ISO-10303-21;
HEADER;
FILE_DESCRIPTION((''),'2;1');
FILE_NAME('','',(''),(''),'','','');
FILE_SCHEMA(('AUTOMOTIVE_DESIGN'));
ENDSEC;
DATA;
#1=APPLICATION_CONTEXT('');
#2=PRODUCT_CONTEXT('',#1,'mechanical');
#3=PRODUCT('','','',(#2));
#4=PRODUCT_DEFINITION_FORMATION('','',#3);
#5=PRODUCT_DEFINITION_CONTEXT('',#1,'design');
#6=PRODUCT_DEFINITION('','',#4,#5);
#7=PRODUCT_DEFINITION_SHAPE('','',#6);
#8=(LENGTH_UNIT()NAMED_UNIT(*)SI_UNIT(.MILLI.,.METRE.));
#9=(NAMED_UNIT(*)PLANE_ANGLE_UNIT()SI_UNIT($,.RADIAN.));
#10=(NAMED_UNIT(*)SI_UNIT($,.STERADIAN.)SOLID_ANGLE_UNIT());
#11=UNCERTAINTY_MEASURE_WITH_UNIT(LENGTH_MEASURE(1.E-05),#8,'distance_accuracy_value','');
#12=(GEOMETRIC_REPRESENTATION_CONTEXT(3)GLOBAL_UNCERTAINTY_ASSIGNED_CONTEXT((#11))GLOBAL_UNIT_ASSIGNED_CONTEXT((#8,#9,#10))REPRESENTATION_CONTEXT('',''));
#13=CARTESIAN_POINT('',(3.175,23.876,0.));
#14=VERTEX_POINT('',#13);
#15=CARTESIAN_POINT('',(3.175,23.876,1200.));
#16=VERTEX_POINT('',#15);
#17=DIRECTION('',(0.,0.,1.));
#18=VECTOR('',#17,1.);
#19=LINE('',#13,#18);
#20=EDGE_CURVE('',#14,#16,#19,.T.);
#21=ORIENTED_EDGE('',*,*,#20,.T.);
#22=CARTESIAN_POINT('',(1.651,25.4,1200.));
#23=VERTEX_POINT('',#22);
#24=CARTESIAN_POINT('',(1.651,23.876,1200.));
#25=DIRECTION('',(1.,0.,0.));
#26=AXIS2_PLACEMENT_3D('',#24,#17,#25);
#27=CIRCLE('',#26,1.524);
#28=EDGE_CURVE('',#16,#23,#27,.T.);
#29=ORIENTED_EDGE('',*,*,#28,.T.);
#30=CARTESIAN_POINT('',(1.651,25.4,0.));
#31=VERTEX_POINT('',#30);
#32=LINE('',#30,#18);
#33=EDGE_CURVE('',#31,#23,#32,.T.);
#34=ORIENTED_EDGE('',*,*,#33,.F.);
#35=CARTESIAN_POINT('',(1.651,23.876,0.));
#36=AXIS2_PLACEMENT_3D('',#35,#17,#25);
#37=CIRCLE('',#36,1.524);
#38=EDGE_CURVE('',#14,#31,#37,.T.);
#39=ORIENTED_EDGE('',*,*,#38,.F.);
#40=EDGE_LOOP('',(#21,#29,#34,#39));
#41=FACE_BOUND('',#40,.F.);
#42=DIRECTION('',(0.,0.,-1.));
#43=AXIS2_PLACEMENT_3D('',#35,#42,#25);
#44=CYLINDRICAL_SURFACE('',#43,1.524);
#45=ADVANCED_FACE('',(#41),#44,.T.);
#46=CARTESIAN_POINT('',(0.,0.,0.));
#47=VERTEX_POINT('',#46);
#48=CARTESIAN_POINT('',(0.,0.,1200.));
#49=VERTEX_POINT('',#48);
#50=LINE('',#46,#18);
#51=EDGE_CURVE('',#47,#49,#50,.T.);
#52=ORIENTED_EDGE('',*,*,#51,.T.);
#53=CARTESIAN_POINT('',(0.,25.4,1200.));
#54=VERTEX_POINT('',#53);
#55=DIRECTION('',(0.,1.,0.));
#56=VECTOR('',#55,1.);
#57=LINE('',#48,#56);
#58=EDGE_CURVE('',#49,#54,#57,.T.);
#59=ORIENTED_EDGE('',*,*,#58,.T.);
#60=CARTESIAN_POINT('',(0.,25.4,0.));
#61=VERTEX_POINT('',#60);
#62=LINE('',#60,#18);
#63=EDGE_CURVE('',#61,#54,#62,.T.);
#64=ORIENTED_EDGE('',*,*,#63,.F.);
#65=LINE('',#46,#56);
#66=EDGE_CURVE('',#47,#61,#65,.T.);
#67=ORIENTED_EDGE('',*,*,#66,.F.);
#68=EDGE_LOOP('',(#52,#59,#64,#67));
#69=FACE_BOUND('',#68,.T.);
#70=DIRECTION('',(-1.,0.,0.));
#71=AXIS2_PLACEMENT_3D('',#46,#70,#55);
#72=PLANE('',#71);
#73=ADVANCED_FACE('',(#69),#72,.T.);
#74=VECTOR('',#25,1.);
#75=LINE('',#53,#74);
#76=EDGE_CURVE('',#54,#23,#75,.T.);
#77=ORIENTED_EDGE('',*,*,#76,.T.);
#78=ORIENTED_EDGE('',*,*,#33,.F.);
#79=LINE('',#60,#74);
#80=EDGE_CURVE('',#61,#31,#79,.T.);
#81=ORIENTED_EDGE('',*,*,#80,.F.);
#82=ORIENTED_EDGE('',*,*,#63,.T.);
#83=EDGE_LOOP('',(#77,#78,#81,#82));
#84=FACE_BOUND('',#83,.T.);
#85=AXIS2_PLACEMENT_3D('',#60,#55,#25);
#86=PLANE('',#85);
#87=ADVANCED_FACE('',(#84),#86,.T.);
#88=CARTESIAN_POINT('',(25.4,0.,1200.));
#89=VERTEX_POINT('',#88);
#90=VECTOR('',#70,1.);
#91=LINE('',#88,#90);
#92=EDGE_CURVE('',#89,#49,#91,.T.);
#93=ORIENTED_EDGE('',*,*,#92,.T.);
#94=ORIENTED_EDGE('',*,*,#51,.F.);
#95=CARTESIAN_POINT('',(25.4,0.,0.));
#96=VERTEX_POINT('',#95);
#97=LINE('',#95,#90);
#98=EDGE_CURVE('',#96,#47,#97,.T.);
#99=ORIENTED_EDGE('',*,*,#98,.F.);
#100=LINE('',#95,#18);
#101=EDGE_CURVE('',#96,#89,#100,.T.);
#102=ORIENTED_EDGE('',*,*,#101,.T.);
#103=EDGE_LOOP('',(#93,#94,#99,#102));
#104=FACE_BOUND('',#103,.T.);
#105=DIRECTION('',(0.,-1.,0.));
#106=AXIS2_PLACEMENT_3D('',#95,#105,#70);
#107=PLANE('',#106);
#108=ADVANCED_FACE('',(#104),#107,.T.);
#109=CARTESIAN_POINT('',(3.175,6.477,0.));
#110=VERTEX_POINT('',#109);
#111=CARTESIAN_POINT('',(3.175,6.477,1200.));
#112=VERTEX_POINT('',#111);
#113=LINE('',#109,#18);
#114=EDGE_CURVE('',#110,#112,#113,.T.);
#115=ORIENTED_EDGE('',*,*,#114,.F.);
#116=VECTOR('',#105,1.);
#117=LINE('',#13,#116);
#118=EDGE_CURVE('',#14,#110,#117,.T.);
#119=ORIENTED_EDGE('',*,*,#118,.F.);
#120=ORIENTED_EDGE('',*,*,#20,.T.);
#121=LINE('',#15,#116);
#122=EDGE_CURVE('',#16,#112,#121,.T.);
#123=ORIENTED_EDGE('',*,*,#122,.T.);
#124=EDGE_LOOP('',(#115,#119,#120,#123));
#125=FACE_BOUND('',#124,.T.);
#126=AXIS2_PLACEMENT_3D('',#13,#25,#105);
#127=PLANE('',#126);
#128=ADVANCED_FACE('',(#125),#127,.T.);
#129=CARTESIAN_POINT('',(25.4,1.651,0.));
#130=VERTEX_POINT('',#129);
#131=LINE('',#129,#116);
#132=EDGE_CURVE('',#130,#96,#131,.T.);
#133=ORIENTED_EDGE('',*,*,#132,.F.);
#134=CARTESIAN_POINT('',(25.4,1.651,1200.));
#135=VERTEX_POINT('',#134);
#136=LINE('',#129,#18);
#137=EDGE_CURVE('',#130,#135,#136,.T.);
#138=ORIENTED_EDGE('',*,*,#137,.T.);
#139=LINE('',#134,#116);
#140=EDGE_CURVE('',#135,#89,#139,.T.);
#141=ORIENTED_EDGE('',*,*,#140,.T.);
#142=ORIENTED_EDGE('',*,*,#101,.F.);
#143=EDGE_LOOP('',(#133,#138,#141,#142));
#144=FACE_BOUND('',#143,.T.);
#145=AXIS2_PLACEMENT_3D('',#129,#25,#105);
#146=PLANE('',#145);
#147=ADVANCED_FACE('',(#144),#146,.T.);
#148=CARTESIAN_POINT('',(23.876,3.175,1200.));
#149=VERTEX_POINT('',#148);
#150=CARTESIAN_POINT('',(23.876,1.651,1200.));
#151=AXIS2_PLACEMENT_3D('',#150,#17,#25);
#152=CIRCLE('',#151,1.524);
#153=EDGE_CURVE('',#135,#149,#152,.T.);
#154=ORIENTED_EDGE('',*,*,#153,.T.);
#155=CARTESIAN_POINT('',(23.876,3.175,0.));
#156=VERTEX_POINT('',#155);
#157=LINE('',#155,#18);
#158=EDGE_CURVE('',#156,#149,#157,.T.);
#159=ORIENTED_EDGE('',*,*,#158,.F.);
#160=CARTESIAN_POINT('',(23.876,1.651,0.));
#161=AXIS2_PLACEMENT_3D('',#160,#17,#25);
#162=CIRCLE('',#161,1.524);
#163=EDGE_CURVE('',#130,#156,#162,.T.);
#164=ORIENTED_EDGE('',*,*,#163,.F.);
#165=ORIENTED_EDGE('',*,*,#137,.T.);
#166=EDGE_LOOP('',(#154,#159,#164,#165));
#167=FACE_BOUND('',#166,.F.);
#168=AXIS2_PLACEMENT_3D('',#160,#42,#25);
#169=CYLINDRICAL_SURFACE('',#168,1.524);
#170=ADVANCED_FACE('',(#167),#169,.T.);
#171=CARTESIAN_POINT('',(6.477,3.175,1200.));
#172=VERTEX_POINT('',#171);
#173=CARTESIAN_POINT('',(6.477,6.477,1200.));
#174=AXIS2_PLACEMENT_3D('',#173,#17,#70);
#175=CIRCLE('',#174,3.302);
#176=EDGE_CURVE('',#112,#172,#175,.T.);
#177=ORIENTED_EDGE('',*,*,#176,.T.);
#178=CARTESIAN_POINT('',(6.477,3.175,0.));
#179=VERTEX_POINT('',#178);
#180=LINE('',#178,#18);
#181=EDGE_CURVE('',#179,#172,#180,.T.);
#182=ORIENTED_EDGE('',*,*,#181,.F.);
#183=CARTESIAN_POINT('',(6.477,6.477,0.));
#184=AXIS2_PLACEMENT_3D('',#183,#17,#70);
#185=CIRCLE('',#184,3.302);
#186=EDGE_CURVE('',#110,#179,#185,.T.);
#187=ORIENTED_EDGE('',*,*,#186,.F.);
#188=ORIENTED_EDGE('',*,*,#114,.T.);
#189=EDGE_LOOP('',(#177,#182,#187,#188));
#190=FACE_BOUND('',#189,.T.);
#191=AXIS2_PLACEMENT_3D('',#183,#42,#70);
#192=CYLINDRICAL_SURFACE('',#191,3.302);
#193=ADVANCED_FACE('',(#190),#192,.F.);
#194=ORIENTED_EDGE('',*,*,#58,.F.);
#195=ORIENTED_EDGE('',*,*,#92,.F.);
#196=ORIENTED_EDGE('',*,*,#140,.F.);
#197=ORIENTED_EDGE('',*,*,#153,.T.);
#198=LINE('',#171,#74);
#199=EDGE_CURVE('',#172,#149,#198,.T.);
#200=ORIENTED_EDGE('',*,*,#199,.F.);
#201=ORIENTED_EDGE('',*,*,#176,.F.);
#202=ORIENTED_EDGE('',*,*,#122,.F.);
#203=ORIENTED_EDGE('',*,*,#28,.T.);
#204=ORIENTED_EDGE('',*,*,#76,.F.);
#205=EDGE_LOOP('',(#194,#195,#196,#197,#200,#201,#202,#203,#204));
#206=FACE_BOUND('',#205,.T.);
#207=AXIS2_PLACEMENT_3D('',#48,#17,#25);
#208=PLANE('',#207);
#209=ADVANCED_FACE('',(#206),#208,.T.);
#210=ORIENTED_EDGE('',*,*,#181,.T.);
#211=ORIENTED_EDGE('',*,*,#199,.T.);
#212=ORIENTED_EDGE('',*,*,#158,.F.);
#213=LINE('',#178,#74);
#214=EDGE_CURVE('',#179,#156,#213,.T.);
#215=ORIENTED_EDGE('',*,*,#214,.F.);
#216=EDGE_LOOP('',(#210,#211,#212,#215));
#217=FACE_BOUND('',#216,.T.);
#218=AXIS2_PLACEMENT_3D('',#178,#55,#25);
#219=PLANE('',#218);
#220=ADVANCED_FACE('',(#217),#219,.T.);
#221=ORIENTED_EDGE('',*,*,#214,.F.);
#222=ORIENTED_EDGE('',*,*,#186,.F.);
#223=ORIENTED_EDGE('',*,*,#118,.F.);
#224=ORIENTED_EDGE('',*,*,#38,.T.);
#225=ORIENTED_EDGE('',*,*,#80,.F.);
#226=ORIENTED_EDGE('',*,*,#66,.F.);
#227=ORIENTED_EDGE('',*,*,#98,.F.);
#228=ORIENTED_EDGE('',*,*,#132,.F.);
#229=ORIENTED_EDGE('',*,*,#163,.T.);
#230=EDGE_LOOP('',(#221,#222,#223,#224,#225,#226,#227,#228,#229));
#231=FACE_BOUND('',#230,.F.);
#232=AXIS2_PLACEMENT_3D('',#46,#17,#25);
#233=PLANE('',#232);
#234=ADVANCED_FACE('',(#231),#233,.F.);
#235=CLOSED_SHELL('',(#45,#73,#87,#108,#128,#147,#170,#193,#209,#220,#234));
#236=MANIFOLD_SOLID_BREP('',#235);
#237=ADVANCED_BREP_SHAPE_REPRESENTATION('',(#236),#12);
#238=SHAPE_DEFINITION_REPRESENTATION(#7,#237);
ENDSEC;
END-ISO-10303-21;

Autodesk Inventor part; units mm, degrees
ref_plane "YZ Plane" through (0, 0, 0) normal (1, 0, 0) x (0, 1, 0)
ref_plane "Start Plane" through (0, 0, 0) normal (0, 0, 1) x (1, 0, 0)
ref_plane "End Plane" through (0, 0, 1200) normal (0, 0, 1) x (1, 0, 0)
sketch "Sketch" plane through (0, 0, 0) normal (0, 0, 1) x (1, 0, 0)
  line L0 (25.4, 0) -> (0, 0)
  line L1 (0, 0) -> (0, 25.4)
  line L2 (0, 25.4) -> (1.651, 25.4)
  line L3 (3.175, 23.876) -> (3.175, 6.477)
  line L4 (6.477, 3.175) -> (23.876, 3.175)
  line L5 (25.4, 1.651) -> (25.4, 0)
  line L6 (0, -11.0414) -> (0, 31.5385) construction
  line L7 (-11.0414, 0) -> (31.5385, 0) construction
  arc A0 (3.175, 6.477) -> (6.477, 3.175) centre (6.477, 6.477) ccw
  arc A1 (3.175, 23.876) -> (1.651, 25.4) centre (1.651, 23.876) ccw
  arc A2 (25.4, 1.651) -> (23.876, 3.175) centre (23.876, 1.651) ccw
  line L8 (0, 40.0545) -> (0, -19.5574) construction
  line L9 (-19.5574, 0) -> (40.0545, 0) construction
  point P0 (3.175, 25.4)
  point P1 (3.175, 3.175)
  point P2 (25.4, 3.175)
  dimension "d0" = 25.4
  dimension "d1" = 25.4
  dimension "d2" = 3.175
  dimension "d3" = 3.175
  dimension "d10" = 0
  dimension "d11" = 0
  dimension "d14" = 3.302
  dimension "d15" = 1.524
extrude "Body" add sketch "Sketch" along normal up to surface (1200 mm away) from surface at 0
sketch "Sketch3" plane through (0, 0, 0) normal (0, 0, 1) x (1, 0, 0)
  line L0 (0, 0) -> (10, 0)
ref_plane "Work Plane3" through (0, 0, 0) normal (0, -1, 0) x (1, 0, 0)
sketch "Sketch4" plane through (0, 0, 0) normal (0, -1, 0) x (1, 0, 0)
  line L0 (-2, 0) -> (12, 0) projected
  line L1 (-2, 1200) -> (12, 1200) projected
  dimension "d17" = 1200
equation "\"d0\" = G_H"
equation "\"d1\" = G_H"
equation "\"d2\" = G_T"
equation "\"d3\" = G_T"
equation "\"d14\" = G_IR"
equation "\"d15\" = G_ER"
equation "\"d4\" = G_L"
equation "\"G_H\" = 25.4"
equation "\"G_T\" = 3.175"
equation "\"G_ER\" = 1.524"
equation "\"G_IR\" = 3.302"
equation "\"G_L\" = d17"
equation "\"ex\" = 0"
equation "\"G_OFFSET_START\" = 0"
equation "\"G_OFFSET_END\" = 0"
equation "\"d13\" = G_OFFSET_END + B_L"
equation "\"B_L\" = 1200"
properties part number "AISC - L 1 x 1 x 1/8 - 47.244" material "Steel, Mild"
